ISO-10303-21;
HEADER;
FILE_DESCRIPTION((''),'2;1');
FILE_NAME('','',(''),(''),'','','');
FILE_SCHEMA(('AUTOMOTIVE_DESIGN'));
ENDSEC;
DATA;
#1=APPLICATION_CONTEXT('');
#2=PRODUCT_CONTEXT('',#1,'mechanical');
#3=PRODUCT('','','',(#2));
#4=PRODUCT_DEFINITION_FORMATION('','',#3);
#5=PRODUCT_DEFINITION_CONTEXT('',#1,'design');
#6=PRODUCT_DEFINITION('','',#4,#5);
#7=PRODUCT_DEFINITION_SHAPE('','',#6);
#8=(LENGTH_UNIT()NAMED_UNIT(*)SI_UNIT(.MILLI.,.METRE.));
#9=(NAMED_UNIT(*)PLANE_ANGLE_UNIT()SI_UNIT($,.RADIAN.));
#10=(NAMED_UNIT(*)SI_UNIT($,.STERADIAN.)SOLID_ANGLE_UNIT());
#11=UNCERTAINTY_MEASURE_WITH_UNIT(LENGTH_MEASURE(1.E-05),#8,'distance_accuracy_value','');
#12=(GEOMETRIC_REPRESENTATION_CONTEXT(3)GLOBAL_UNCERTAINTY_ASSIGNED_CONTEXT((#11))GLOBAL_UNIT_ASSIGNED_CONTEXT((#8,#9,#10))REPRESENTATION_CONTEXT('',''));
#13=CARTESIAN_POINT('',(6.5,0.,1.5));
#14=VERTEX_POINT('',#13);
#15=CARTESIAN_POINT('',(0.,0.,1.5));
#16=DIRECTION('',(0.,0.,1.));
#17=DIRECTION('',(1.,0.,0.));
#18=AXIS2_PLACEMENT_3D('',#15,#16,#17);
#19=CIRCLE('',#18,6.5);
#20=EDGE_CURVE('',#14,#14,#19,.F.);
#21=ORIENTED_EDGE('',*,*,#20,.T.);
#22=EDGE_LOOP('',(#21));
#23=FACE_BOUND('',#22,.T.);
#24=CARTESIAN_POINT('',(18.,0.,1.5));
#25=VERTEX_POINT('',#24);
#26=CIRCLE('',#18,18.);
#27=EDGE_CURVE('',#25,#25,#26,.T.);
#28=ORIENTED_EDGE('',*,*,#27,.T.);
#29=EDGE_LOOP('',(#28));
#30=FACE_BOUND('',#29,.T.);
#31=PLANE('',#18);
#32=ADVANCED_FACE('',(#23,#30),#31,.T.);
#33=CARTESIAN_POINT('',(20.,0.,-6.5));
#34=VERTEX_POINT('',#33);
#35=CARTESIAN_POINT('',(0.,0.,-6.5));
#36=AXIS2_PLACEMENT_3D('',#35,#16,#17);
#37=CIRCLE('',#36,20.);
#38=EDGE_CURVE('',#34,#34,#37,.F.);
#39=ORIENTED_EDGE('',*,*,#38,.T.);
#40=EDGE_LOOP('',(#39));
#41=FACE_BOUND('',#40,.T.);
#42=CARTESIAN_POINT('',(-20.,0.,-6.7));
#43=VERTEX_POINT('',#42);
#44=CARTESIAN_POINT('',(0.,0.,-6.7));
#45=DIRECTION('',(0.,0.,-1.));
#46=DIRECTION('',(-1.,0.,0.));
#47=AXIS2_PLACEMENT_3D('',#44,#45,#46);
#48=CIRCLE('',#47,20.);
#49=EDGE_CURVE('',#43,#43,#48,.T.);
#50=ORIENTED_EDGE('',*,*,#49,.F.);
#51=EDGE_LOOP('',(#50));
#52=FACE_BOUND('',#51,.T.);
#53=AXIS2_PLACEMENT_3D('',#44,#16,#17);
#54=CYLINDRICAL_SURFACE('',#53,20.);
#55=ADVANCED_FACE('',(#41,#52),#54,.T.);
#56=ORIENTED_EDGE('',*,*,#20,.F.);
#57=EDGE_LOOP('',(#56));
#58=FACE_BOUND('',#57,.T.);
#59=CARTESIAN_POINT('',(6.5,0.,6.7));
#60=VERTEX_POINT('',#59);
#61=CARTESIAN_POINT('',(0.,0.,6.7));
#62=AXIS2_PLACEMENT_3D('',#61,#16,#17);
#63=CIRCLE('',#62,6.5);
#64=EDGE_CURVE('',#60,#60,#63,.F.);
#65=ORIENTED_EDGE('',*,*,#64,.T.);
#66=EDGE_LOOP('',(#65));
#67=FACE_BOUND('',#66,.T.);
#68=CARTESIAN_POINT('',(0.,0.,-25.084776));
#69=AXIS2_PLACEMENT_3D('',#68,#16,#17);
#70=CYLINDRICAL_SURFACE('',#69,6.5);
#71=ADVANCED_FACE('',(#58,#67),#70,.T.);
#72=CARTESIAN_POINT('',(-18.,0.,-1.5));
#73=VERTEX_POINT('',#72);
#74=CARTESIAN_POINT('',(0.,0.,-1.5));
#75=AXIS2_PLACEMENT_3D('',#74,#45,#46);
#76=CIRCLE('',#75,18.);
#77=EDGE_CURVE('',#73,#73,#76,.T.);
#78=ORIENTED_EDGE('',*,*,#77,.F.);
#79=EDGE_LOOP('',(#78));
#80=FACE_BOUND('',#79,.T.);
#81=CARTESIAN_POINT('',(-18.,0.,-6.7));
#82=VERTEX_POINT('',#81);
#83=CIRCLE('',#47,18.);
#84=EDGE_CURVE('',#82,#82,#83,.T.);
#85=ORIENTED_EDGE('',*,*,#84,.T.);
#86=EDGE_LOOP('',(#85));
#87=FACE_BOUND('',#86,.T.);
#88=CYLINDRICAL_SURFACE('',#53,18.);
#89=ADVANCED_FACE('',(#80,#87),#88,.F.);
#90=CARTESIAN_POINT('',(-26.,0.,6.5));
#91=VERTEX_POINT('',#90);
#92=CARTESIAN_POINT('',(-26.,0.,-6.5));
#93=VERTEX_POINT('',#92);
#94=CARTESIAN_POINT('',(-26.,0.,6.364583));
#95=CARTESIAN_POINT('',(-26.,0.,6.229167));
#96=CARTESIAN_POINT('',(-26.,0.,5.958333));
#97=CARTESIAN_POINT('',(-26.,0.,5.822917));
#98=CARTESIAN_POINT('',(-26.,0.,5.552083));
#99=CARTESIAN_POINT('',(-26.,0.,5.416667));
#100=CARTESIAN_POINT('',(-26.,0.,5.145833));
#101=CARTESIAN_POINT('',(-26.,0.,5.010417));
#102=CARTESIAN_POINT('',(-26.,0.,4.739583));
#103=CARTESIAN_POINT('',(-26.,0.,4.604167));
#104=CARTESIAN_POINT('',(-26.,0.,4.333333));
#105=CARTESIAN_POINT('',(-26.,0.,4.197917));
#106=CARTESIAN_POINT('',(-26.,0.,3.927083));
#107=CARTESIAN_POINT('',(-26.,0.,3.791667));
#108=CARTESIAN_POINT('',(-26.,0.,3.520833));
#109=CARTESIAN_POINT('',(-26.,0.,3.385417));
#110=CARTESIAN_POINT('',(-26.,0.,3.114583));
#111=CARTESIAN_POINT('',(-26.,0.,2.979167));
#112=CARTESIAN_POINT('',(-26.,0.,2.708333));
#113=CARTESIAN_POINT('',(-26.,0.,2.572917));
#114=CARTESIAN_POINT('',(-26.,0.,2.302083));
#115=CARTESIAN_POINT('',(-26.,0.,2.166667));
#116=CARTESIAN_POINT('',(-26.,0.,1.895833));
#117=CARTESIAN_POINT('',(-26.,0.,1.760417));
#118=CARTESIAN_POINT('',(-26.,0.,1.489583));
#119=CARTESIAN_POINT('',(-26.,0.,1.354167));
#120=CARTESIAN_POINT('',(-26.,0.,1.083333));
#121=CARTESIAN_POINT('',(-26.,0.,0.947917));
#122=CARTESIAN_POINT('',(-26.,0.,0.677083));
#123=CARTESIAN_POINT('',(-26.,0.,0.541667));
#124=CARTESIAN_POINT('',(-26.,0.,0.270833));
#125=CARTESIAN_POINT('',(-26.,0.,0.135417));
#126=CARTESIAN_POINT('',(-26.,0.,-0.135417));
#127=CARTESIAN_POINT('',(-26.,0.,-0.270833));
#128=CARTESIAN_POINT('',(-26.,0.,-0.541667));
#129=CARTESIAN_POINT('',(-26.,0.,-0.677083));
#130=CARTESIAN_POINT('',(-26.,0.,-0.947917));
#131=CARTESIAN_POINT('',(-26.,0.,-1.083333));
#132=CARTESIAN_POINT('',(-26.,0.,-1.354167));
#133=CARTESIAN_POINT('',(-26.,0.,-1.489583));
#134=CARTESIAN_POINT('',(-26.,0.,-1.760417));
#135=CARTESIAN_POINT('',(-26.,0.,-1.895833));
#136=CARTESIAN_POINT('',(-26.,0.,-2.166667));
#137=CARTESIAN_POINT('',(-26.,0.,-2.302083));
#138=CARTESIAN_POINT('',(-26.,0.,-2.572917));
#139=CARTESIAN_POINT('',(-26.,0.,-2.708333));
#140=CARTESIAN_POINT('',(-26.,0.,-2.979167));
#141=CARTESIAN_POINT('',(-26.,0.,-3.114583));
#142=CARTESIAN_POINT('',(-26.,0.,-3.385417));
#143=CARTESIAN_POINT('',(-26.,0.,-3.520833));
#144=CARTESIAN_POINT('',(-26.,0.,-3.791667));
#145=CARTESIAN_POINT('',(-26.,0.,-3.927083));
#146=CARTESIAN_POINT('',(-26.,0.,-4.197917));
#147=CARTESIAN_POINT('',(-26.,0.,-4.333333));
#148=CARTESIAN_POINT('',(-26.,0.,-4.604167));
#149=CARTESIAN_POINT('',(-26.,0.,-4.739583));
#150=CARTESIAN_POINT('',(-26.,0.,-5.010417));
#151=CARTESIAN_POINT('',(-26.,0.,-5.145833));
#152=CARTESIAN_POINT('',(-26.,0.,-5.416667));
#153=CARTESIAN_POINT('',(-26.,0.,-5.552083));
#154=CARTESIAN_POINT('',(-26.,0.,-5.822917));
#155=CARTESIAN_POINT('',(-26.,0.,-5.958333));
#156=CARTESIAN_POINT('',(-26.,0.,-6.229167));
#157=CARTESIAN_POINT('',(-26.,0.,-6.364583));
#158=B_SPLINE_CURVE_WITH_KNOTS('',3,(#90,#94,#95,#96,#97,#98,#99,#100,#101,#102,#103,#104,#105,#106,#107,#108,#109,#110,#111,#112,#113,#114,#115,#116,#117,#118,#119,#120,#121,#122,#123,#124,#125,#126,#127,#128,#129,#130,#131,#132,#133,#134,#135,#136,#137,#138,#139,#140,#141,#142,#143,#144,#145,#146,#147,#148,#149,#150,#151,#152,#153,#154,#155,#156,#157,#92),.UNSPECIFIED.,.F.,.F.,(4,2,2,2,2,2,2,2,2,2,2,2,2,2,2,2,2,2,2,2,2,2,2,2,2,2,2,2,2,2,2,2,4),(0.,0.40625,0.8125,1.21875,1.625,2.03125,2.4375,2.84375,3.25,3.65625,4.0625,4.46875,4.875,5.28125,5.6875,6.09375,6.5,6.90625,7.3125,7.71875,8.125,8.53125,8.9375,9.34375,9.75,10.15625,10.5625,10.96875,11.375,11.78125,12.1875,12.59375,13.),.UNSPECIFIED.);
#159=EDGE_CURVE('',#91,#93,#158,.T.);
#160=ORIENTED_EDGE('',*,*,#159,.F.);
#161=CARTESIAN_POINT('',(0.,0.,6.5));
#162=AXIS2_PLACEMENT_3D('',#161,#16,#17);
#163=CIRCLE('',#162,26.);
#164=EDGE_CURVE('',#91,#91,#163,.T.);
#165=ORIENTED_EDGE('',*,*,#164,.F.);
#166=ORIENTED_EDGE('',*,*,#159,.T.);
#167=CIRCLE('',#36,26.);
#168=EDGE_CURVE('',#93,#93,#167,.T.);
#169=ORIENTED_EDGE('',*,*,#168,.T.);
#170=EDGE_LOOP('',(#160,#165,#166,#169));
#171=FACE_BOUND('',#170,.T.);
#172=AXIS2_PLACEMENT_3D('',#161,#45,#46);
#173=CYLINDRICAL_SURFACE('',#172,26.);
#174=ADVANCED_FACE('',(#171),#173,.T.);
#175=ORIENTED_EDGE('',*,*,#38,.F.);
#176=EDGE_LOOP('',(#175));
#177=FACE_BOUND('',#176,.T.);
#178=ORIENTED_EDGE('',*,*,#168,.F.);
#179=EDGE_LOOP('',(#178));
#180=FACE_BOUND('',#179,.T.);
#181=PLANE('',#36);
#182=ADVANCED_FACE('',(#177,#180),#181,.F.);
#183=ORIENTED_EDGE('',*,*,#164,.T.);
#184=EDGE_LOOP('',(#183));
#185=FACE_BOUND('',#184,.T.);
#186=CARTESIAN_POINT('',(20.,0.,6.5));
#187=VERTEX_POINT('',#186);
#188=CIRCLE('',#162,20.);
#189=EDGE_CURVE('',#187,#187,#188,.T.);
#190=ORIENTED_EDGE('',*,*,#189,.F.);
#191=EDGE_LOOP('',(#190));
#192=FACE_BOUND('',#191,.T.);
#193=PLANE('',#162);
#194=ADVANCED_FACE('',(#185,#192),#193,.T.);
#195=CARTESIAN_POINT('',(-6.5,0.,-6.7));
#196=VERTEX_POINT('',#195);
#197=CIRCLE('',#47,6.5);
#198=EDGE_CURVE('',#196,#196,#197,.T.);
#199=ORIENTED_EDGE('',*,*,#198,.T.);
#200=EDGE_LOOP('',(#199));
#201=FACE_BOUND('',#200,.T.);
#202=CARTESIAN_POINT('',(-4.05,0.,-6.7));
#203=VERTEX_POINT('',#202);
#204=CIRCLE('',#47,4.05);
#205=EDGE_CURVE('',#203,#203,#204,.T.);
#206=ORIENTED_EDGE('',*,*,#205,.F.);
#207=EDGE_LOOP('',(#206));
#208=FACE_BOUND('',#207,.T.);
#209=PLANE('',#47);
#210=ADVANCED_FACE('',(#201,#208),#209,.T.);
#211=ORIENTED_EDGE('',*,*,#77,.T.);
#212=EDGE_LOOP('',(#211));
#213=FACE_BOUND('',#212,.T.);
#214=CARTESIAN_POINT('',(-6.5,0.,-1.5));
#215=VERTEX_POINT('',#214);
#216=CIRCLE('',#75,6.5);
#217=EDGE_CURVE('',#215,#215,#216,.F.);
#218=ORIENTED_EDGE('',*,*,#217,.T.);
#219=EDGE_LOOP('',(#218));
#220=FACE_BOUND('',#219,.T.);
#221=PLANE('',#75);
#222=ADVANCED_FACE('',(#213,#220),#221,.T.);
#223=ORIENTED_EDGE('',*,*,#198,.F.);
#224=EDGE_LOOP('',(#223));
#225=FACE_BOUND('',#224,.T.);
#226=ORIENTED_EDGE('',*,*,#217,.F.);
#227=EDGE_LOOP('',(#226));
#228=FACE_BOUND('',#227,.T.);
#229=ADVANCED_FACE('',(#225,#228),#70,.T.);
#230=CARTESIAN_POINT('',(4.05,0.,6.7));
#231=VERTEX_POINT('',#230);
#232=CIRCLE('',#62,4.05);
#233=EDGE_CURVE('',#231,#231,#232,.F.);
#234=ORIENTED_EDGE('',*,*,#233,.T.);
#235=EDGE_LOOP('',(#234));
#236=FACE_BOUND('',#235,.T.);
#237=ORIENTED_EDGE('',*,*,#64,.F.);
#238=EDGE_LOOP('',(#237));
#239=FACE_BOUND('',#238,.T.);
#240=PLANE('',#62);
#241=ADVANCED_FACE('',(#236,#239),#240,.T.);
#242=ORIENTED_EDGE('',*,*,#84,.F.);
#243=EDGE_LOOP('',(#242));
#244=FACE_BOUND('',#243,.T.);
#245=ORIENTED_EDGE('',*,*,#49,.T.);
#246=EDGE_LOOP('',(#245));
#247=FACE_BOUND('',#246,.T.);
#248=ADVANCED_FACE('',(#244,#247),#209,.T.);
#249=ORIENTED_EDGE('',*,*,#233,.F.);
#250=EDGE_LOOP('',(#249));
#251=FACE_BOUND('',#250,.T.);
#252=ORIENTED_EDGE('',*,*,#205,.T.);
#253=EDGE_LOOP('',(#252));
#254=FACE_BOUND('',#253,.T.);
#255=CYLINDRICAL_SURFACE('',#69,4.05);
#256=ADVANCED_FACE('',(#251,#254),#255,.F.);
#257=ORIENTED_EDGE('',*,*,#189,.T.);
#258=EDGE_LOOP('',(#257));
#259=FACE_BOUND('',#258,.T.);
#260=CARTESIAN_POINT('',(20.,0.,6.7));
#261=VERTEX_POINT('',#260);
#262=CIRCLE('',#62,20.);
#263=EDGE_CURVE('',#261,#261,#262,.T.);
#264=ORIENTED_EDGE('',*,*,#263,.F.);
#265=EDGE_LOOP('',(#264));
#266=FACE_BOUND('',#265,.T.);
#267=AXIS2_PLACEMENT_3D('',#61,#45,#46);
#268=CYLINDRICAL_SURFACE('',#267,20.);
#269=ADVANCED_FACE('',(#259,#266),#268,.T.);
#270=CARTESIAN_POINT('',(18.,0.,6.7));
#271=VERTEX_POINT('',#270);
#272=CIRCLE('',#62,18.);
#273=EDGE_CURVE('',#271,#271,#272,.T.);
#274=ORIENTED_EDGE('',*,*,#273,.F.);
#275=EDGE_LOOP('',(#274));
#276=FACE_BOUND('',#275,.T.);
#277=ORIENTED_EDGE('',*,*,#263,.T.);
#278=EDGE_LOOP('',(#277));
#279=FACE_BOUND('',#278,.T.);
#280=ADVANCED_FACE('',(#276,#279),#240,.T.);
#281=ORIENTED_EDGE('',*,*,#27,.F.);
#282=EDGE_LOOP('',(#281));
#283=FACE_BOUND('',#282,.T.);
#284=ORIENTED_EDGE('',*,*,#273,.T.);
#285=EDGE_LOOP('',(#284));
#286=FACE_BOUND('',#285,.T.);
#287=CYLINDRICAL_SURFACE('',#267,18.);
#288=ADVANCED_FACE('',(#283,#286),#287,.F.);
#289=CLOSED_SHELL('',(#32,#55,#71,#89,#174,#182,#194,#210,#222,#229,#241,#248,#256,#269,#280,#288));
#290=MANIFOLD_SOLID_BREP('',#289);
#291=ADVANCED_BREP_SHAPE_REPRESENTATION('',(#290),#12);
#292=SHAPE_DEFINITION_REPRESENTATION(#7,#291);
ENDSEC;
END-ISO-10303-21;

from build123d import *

# Parameters (mm, degrees)
CROQUIS1_R                          = 26
SALIENTE_EXTRUIR1_DEPTH             = 6.5
CROQUIS2_R                          = 20
CROQUIS2_R_2                        = 18
SALIENTE_EXTRUIR3_DEPTH             = 0.2
SALIENTE_EXTRUIR4_START             = 0.2
CROQUIS4_R                          = 20
CROQUIS4_R_2                        = 18
SALIENTE_EXTRUIR4_DEPTH             = 0.2
CROQUIS5_R                          = 18
CORTAR_EXTRUIR1_DEPTH               = 5
CORTAR_EXTRUIR2_START               = -5
CROQUIS6_R                          = 18
CORTAR_EXTRUIR2_DEPTH               = 5
SALIENTE_EXTRUIR5_REACH             = 39.673
CROQUIS7_R                          = 6.5
CROQUIS7_R_2                        = 4.05
SALIENTE_EXTRUIR5_DIRECTION_2_REACH = 39.673
CROQUIS8_R                          = 4.05
CORTAR_EXTRUIR3_DEPTH               = 39


with BuildPart() as part:
    # Croquis1 → Saliente-Extruir1 (new, symmetric)
    with BuildSketch(Plane.XY):
        with Locations(Location((0, 0, 0), (0, 0, 180))):
            Circle(CROQUIS1_R)
    extrude(amount=SALIENTE_EXTRUIR1_DEPTH, both=True)

    # Croquis2 → Saliente-Extruir3 (add)
    with BuildSketch(Plane.XY.offset(6.5)):
        Circle(CROQUIS2_R)
        Circle(CROQUIS2_R_2, mode=Mode.SUBTRACT)
    extrude(amount=SALIENTE_EXTRUIR3_DEPTH)

    # Croquis4 → Saliente-Extruir4 (add)
    with BuildSketch(Plane(origin=(0, 0, -6.5), x_dir=(-1, 0, 0), z_dir=(0, 0, -1)).offset(SALIENTE_EXTRUIR4_START)):
        with Locations(Location((0, 0, 0), (0, 0, 180))):
            Circle(CROQUIS4_R)
        with Locations(Location((0, 0, 0), (0, 0, 180))):
            Circle(CROQUIS4_R_2, mode=Mode.SUBTRACT)
    extrude(amount=-SALIENTE_EXTRUIR4_DEPTH)

    # Croquis5 → Cortar-Extruir1 (cut)
    with BuildSketch(Plane(origin=(0, 0, -6.5), x_dir=(-1, 0, 0), z_dir=(0, 0, -1))):
        with Locations(Location((0, 0, 0), (0, 0, 180))):
            Circle(CROQUIS5_R)
    extrude(amount=-CORTAR_EXTRUIR1_DEPTH, mode=Mode.SUBTRACT)

    # Croquis6 → Cortar-Extruir2 (cut)
    with BuildSketch(Plane.XY.offset(6.5).offset(CORTAR_EXTRUIR2_START)):
        Circle(CROQUIS6_R)
    extrude(amount=CORTAR_EXTRUIR2_DEPTH, mode=Mode.SUBTRACT)

    # Saliente-Extruir5: up to this face of the body (flat: up to its plane)
    saliente_extruir5_end = Plane(part.part.faces().sort_by_distance((-19.434314575, 0, -6.7))[0])
    # Croquis7 → Saliente-Extruir5 (add, up to the picked face)
    with BuildSketch(Plane(origin=(0, 0, -1.5), x_dir=(-1, 0, 0), z_dir=(0, 0, -1)), mode=Mode.PRIVATE) as saliente_extruir5_sk1:
        with Locations(Location((0, 0, 0), (0, 0, 180))):
            Circle(CROQUIS7_R)
        with Locations(Location((0, 0, 0), (0, 0, 180))):
            Circle(CROQUIS7_R_2, mode=Mode.SUBTRACT)
    saliente_extruir5_tool1 = split(extrude(saliente_extruir5_sk1.sketch, amount=SALIENTE_EXTRUIR5_REACH, mode=Mode.PRIVATE), bisect_by=saliente_extruir5_end, keep=Keep.BOTH, mode=Mode.PRIVATE)
    add(saliente_extruir5_tool1.solids().sort_by(Axis((-6.316152, 0, -1.5), (0, 0, -1)))[0])

    # Saliente-Extruir5 direction 2: up to this face of the body (flat: up to its plane)
    saliente_extruir5_direction_2_end = Plane(part.part.faces().sort_by_distance((-19.434314575, 0, 6.7))[0])
    # Croquis7 → Saliente-Extruir5 direction 2 (add, up to the picked face)
    with BuildSketch(Plane(origin=(0, 0, -1.5), x_dir=(-1, 0, 0), z_dir=(0, 0, -1)), mode=Mode.PRIVATE) as saliente_extruir5_direction_2_sk1:
        with Locations(Location((0, 0, 0), (0, 0, 180))):
            Circle(CROQUIS7_R)
        with Locations(Location((0, 0, 0), (0, 0, 180))):
            Circle(CROQUIS7_R_2, mode=Mode.SUBTRACT)
    saliente_extruir5_direction_2_tool1 = split(extrude(saliente_extruir5_direction_2_sk1.sketch, amount=-SALIENTE_EXTRUIR5_DIRECTION_2_REACH, mode=Mode.PRIVATE), bisect_by=saliente_extruir5_direction_2_end, keep=Keep.BOTH, mode=Mode.PRIVATE)
    add(saliente_extruir5_direction_2_tool1.solids().sort_by(Axis((-6.316152, 0, -1.5), (0, 0, 1)))[0])

    # Croquis8 → Cortar-Extruir3 (cut, symmetric)
    with BuildSketch(Plane(origin=(0, 0, -1.5), x_dir=(-1, 0, 0), z_dir=(0, 0, -1))):
        with Locations(Location((0, 0, 0), (0, 0, 180))):
            Circle(CROQUIS8_R)
    extrude(amount=CORTAR_EXTRUIR3_DEPTH, both=True, mode=Mode.SUBTRACT)


solid = part.part
